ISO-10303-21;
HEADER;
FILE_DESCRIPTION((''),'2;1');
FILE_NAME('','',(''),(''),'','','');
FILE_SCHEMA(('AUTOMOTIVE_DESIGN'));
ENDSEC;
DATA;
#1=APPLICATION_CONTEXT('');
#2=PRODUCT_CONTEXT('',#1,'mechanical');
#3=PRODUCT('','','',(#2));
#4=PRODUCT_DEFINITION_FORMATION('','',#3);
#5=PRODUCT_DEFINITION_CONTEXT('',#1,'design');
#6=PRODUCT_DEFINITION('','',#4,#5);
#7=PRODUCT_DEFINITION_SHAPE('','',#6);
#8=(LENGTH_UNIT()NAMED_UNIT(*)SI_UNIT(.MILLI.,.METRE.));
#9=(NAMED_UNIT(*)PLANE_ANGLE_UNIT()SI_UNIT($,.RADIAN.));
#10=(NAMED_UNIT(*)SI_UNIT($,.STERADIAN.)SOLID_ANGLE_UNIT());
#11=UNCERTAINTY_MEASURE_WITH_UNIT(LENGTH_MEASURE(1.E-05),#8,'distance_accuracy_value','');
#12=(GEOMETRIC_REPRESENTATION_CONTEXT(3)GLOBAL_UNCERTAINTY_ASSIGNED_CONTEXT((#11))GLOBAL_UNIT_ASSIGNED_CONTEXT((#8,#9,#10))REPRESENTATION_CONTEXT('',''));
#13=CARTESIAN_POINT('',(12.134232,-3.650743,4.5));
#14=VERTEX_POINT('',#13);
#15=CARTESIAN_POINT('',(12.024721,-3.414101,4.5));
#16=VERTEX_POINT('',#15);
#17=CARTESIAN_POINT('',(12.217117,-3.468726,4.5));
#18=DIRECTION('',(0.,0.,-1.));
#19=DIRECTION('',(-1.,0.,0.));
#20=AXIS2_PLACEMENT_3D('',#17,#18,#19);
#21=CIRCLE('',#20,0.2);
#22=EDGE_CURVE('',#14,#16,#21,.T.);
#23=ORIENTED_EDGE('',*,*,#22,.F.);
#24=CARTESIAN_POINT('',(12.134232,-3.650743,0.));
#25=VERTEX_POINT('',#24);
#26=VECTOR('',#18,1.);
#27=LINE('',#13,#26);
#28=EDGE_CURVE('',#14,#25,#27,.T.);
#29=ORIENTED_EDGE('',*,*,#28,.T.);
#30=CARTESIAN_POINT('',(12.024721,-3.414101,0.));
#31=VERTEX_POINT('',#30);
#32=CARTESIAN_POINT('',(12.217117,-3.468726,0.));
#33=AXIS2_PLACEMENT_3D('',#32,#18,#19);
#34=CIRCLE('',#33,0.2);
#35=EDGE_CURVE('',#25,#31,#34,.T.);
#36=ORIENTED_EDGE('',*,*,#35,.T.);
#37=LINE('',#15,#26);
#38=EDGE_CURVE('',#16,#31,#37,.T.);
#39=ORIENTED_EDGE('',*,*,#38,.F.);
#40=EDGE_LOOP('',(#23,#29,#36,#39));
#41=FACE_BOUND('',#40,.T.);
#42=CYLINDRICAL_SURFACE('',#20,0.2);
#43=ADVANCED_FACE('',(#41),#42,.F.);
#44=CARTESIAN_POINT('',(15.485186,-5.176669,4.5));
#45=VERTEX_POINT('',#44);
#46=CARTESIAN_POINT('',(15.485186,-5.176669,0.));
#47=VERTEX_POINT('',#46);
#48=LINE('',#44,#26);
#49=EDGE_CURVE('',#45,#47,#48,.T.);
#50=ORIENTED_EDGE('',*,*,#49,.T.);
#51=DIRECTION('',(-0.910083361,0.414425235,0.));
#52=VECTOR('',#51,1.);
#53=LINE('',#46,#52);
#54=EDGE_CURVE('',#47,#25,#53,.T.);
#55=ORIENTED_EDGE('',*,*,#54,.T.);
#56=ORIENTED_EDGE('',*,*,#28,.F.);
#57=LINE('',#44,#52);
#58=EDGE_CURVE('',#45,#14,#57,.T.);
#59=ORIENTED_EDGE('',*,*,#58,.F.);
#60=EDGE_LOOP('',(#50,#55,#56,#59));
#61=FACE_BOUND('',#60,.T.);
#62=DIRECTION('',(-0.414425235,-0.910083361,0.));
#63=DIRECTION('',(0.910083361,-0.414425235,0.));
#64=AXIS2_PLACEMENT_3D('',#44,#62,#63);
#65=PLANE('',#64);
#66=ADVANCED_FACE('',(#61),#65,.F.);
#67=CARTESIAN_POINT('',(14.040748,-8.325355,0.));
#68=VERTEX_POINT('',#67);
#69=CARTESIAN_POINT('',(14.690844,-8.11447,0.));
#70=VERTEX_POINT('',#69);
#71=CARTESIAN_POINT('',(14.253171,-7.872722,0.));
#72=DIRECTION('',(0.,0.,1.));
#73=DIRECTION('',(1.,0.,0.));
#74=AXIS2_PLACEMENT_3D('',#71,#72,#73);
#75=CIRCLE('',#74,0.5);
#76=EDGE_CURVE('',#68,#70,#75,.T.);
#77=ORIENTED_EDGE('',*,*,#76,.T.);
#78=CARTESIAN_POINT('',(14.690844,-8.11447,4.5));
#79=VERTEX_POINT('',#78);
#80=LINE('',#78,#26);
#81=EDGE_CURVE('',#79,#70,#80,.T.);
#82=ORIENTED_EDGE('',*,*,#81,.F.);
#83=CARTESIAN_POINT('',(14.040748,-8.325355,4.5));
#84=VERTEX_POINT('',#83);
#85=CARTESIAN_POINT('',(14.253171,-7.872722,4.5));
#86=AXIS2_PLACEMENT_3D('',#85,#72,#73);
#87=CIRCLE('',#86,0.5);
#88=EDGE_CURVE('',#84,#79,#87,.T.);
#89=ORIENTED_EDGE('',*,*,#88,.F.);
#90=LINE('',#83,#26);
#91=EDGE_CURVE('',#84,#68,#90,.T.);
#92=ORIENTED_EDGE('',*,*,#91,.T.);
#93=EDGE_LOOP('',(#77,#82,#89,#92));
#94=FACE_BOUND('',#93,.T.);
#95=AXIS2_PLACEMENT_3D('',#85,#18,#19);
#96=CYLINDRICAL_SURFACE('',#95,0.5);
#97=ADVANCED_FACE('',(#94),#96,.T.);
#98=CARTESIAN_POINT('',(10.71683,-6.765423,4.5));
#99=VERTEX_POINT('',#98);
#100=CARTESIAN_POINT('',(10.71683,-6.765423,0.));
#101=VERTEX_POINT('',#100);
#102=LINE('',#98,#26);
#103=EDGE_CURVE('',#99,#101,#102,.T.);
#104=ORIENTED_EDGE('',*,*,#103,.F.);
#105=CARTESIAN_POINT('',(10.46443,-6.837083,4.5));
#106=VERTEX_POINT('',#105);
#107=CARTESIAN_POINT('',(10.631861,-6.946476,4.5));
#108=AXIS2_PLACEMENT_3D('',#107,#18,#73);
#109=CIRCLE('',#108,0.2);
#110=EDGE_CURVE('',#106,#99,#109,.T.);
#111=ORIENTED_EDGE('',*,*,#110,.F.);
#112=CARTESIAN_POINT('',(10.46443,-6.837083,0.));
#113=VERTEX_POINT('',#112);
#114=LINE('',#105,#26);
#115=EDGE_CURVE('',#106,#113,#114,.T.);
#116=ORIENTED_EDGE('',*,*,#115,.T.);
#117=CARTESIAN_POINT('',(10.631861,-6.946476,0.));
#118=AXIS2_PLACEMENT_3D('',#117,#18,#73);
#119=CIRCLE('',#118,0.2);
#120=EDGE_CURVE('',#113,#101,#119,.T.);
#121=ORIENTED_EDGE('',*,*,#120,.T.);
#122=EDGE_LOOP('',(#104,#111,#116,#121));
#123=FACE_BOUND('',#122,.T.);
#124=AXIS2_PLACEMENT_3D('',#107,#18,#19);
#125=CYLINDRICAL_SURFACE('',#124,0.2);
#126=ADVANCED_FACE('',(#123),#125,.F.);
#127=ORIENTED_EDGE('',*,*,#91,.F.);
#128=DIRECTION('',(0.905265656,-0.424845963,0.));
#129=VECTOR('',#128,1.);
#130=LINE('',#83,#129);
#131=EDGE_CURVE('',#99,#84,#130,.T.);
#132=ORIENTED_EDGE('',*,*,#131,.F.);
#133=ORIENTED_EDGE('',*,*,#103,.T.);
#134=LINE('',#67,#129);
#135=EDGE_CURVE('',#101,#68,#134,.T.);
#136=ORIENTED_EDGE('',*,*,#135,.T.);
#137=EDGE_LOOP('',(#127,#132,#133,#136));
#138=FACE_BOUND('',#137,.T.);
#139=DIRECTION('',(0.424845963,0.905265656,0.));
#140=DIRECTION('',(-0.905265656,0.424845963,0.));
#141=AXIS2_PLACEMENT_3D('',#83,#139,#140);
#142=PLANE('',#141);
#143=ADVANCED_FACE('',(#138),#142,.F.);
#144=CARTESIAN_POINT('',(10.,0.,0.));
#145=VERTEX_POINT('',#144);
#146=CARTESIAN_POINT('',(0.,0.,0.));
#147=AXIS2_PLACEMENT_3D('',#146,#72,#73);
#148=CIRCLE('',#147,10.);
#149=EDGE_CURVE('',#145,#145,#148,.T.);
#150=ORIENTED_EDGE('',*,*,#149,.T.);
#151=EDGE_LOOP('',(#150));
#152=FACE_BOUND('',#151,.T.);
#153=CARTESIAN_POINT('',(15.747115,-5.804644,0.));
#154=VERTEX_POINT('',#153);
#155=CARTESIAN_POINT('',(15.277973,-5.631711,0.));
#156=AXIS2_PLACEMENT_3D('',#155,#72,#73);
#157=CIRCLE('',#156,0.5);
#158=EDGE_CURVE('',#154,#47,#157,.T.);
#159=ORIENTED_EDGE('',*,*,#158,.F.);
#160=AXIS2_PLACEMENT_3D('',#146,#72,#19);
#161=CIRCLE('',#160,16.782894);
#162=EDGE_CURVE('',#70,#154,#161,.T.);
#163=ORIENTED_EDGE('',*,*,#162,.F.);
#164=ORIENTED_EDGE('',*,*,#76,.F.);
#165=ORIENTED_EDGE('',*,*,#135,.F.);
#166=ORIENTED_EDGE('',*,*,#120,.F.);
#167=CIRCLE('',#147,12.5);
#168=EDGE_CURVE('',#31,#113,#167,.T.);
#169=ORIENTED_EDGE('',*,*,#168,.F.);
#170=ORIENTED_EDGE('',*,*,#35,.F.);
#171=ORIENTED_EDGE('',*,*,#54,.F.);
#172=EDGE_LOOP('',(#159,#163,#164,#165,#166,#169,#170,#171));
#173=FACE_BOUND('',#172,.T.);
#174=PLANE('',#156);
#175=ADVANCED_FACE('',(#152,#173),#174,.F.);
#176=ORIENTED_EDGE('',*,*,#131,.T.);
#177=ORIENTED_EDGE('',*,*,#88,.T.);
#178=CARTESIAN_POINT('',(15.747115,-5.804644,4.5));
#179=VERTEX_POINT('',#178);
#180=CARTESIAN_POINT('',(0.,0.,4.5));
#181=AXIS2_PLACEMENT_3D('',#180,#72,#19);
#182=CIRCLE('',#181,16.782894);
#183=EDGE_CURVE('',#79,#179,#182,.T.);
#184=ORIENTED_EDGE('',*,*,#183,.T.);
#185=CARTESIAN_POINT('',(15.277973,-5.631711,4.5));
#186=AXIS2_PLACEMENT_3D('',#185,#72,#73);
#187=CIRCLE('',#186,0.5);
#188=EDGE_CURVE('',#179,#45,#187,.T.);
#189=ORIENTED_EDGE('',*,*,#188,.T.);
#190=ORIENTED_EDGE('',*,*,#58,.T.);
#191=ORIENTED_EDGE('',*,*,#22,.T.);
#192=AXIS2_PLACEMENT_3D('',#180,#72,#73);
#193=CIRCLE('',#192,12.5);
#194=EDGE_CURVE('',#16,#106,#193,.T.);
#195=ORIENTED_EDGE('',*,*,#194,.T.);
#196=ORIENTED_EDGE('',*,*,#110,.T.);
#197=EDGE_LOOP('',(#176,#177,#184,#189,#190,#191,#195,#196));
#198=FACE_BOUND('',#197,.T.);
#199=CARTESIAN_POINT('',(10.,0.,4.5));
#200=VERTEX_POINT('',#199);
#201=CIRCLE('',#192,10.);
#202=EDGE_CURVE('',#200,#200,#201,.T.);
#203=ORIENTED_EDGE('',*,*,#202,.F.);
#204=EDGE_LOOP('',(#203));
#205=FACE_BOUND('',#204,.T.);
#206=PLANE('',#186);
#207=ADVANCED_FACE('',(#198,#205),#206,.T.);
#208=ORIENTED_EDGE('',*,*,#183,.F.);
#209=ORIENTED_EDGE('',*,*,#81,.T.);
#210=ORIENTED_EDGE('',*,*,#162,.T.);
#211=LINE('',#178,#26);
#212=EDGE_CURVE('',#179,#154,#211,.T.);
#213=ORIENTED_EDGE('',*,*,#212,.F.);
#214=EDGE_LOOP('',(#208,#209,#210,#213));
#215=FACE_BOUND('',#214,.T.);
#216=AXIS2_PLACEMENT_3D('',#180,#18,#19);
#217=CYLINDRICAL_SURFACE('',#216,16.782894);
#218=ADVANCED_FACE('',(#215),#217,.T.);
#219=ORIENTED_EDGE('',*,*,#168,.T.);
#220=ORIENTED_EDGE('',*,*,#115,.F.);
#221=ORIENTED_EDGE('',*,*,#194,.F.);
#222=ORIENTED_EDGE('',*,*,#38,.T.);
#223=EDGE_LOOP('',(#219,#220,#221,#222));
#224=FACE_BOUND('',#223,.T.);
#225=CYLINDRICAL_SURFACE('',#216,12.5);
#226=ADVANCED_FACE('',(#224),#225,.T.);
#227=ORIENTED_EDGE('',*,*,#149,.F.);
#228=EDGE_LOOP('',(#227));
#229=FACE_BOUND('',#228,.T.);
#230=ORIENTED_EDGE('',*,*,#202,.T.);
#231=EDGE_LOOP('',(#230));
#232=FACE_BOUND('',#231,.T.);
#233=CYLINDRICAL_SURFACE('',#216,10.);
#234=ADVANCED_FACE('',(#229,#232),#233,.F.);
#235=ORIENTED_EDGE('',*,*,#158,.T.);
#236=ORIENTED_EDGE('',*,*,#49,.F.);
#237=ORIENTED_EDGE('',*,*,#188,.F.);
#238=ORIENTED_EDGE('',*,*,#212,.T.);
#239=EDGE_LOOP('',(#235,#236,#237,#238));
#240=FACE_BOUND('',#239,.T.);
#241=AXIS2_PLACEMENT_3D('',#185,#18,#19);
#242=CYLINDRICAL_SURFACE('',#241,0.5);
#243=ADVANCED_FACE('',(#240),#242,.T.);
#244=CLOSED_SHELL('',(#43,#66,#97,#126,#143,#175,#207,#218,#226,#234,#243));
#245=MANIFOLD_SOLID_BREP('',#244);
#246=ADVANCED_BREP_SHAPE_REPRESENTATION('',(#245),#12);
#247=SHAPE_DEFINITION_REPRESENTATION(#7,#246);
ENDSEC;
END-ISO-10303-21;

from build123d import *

# Parameters (mm, degrees)
ESQUISSE1_R        = 10
BOSS_EXTRU_3_DEPTH = 4.5


with BuildPart() as part:
    # Esquisse1 → Boss.-Extru.3 (new body)
    with BuildSketch(Plane.XY):
        with BuildLine():
            Line((15.485185595, -5.176669047), (12.134231543, -3.650742984))
            ThreePointArc((12.134231543, -3.650742984), (12.035609724, -3.552721892), (12.024721053, -3.414100701))
            ThreePointArc((12.024721053, -3.414100701), (-11.374079439, 5.184623122), (10.464430261, -6.837082661))
            ThreePointArc((10.464430261, -6.837082661), (10.577237298, -6.754079946), (10.716830338, -6.765422852))
            Line((10.716830338, -6.765422852), (14.040747626, -8.325354826))
            ThreePointArc((14.040747626, -8.325354826), (14.40745115, -8.348324263), (14.690843755, -8.114470246))
            ThreePointArc((14.690843755, -8.114470246), (15.262737454, -6.979567539), (15.747114807, -5.80464408))
            ThreePointArc((15.747114807, -5.80464408), (15.739440197, -5.439232144), (15.485185595, -5.176669047))
        make_face()
        Circle(ESQUISSE1_R, mode=Mode.SUBTRACT)
    extrude(amount=BOSS_EXTRU_3_DEPTH)


solid = part.part
